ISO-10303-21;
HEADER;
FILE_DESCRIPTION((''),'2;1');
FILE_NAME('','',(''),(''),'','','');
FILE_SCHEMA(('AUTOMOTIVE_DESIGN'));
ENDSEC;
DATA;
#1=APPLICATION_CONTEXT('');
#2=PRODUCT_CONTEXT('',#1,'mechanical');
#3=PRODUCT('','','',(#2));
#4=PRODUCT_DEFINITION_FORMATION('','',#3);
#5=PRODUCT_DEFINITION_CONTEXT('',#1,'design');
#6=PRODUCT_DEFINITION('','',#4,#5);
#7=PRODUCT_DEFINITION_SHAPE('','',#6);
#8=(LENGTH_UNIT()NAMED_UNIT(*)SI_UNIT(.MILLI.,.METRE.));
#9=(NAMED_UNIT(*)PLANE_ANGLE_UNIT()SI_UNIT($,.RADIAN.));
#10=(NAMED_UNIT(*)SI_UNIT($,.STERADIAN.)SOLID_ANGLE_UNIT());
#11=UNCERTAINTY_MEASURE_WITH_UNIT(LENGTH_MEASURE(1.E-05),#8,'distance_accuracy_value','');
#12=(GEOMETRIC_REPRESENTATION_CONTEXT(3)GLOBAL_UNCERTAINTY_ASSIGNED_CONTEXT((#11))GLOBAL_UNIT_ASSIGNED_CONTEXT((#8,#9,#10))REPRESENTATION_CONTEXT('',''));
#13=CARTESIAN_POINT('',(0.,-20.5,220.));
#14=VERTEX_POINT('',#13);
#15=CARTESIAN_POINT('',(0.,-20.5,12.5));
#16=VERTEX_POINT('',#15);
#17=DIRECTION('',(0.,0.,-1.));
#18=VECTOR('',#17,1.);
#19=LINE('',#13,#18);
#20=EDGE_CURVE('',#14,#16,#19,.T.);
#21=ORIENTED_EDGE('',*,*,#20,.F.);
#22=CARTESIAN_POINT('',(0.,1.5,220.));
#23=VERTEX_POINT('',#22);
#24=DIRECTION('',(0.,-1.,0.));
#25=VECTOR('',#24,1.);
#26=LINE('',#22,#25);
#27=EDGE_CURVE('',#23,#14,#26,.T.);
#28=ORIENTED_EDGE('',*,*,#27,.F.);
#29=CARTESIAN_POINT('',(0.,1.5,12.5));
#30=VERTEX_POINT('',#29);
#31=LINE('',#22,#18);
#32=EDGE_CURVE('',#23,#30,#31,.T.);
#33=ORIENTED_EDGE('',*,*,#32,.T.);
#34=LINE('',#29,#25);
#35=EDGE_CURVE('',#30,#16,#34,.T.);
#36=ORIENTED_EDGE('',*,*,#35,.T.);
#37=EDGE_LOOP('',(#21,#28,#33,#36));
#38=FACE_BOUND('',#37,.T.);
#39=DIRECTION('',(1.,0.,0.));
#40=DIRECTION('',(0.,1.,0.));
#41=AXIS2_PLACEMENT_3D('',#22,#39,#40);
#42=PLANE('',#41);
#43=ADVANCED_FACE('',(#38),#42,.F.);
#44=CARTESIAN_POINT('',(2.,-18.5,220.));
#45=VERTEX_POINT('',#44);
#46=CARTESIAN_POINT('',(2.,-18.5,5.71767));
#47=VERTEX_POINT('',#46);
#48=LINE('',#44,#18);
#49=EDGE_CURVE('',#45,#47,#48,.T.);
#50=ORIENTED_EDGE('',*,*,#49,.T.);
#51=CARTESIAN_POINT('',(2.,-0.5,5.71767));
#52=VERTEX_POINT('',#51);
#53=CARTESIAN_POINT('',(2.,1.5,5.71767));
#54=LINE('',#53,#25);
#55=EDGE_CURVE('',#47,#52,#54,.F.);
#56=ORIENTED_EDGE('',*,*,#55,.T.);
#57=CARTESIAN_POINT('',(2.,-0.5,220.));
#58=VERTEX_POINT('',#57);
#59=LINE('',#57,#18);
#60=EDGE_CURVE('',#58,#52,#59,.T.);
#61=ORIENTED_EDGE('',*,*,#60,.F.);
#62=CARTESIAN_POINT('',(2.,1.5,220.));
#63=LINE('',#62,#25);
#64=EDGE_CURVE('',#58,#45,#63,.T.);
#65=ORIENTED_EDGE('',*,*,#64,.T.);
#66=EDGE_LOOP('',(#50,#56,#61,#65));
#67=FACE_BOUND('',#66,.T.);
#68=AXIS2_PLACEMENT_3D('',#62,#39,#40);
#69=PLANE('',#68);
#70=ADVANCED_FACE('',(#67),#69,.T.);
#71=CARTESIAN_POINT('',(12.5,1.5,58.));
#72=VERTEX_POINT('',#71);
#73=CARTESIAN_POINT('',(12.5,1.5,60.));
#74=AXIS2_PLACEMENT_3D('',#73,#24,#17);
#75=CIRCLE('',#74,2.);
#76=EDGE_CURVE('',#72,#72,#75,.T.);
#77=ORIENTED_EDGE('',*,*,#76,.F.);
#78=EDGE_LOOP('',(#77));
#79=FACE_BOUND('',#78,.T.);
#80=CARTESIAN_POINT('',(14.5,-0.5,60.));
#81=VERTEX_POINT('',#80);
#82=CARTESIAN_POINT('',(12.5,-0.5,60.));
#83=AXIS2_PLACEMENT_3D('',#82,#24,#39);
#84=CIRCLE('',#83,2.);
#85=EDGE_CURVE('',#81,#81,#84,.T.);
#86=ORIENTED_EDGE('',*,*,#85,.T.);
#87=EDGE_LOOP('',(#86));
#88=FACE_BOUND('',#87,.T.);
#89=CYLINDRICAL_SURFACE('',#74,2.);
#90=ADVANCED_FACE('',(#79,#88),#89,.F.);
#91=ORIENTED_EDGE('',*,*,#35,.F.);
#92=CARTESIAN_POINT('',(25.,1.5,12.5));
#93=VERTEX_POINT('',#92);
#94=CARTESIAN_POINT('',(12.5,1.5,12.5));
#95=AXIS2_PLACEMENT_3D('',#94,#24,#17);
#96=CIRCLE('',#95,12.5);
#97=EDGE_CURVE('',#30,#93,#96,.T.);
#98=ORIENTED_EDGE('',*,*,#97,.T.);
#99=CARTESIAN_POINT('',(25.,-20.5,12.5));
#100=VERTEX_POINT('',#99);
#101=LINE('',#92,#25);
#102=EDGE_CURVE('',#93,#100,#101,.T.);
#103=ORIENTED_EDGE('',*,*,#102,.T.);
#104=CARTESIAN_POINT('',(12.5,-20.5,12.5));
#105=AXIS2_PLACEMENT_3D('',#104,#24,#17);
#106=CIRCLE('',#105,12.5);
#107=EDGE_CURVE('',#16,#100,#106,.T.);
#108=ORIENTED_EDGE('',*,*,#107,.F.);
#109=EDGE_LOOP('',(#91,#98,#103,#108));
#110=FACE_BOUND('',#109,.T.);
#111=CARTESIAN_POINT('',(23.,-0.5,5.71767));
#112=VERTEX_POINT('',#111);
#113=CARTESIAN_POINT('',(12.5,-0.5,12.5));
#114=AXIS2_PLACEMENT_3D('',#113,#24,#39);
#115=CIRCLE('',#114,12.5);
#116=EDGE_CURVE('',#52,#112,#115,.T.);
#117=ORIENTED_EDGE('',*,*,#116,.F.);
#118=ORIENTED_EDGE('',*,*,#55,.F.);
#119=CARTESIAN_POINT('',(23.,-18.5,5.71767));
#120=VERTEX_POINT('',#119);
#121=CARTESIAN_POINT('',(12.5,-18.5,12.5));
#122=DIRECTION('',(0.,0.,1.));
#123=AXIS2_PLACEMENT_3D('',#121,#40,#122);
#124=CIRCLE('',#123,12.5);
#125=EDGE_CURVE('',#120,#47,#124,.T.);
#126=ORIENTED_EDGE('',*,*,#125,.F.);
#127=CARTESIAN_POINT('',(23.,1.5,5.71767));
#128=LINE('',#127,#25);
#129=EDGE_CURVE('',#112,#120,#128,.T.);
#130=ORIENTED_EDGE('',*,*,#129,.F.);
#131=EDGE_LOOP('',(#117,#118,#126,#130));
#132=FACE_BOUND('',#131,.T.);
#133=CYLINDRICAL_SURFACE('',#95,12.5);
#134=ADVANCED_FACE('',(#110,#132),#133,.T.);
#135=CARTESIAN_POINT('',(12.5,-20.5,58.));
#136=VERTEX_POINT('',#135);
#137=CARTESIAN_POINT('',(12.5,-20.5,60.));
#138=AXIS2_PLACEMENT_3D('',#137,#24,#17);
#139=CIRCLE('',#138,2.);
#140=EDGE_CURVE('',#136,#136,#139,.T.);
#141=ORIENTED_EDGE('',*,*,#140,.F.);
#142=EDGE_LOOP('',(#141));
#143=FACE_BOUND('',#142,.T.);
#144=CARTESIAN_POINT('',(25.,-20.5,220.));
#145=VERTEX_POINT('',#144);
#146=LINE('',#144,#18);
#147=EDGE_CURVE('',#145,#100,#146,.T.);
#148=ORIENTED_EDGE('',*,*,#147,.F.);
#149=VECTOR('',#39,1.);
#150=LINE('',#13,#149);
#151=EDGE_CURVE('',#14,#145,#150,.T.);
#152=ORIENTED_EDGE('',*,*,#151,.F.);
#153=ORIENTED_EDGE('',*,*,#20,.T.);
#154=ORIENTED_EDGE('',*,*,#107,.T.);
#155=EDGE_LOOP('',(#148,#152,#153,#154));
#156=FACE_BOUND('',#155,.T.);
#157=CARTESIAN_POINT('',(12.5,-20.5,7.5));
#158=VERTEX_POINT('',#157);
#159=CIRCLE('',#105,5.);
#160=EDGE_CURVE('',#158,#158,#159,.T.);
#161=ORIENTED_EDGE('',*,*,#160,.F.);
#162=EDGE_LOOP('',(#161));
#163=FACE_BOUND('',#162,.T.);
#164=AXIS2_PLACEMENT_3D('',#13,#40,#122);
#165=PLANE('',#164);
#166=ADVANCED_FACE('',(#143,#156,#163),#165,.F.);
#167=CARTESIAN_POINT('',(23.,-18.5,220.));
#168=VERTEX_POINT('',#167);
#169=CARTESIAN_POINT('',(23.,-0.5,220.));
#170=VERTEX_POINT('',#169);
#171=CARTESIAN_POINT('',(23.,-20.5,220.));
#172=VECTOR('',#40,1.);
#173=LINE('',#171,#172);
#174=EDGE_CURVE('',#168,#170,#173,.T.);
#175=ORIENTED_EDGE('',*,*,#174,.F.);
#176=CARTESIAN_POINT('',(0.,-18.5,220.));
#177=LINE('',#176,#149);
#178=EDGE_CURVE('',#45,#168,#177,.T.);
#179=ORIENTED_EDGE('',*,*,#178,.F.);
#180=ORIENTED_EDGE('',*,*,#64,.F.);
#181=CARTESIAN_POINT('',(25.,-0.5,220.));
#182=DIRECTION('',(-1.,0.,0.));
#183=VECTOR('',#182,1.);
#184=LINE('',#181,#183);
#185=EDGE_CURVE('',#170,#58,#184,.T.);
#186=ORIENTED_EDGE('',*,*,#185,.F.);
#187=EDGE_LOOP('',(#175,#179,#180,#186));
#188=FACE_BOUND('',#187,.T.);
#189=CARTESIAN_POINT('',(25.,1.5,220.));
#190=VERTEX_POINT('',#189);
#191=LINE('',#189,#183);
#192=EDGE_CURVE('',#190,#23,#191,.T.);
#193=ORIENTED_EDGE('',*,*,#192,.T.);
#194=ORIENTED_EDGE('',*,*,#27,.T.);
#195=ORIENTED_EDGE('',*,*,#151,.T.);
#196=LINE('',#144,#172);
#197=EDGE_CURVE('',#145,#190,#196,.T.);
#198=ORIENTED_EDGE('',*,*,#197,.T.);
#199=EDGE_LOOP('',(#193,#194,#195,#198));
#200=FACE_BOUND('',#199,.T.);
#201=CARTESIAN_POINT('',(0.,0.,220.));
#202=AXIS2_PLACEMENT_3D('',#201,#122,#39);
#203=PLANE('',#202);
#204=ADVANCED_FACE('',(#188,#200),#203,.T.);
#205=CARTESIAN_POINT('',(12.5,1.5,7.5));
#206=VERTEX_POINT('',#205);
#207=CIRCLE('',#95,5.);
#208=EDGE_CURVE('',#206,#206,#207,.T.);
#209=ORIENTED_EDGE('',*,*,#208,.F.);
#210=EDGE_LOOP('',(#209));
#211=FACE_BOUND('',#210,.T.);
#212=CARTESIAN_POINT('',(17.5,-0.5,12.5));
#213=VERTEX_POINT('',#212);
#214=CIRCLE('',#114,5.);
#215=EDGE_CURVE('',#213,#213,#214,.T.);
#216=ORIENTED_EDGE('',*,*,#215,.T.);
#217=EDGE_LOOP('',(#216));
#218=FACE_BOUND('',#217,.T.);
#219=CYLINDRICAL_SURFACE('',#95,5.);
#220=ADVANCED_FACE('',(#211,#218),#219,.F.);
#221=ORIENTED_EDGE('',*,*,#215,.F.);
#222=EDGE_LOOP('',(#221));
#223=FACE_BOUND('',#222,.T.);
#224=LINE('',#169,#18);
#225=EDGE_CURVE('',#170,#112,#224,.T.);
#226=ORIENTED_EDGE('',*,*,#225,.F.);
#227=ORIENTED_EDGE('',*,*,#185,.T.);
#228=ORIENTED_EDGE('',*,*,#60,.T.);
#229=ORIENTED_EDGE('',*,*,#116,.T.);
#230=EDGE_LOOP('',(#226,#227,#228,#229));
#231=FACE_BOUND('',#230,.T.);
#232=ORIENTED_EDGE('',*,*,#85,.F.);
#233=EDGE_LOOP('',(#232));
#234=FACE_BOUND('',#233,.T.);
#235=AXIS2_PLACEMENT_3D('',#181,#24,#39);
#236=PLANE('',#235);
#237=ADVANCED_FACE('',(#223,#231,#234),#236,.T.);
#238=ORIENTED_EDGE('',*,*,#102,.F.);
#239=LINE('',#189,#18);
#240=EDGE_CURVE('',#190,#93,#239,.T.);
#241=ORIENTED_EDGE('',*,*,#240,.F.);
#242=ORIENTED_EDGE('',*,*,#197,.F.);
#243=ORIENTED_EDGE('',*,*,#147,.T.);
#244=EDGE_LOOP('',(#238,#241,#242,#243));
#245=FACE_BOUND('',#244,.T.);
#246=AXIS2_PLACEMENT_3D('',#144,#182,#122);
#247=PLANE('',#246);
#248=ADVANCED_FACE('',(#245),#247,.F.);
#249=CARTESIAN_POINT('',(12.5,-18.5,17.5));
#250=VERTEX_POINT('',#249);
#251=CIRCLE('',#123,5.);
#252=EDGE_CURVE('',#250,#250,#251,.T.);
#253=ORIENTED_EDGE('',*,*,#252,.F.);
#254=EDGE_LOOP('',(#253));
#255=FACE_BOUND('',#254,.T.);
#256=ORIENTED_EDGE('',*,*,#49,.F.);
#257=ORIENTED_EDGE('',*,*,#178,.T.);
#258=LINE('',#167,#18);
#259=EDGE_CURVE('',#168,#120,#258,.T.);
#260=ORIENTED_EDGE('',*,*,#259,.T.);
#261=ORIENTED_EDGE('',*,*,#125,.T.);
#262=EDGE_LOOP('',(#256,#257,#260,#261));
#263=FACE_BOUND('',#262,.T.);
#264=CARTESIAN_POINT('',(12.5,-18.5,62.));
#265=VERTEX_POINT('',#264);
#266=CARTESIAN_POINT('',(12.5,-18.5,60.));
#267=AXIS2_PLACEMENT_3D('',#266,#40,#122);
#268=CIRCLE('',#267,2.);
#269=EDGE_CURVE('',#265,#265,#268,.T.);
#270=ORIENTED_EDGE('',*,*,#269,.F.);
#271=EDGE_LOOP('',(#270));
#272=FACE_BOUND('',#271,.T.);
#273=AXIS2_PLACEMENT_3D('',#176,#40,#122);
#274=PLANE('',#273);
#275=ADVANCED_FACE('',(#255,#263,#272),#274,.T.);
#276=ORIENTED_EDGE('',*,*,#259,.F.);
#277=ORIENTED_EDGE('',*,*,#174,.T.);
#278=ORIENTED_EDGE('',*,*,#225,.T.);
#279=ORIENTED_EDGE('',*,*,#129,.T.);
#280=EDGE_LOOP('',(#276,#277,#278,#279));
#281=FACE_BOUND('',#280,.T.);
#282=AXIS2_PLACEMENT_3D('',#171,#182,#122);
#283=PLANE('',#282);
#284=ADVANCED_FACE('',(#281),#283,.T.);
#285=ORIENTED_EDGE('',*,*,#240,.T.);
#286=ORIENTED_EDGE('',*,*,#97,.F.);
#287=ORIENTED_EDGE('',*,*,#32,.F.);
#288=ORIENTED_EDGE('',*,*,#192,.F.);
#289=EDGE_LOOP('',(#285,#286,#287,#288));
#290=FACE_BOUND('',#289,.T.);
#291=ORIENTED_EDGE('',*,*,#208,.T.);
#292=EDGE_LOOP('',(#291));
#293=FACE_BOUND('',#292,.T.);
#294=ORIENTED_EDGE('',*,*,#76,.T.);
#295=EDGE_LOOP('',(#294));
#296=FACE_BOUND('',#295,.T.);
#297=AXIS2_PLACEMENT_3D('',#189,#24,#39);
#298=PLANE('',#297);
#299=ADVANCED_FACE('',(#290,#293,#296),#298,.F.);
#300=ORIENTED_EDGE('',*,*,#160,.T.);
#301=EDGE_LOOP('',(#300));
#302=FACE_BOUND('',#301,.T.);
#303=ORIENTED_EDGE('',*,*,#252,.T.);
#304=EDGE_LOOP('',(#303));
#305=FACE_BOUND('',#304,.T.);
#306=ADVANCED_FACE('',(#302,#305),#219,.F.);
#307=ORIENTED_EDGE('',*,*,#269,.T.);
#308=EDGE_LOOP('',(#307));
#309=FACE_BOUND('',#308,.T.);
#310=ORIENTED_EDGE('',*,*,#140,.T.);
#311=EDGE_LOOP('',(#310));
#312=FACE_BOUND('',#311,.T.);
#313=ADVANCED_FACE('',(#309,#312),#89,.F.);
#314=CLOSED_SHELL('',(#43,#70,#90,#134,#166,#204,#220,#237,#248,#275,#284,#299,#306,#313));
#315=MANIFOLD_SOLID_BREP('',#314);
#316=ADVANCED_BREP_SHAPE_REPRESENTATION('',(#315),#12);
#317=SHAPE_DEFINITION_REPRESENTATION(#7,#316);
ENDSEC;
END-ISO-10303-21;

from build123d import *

# Parameters (mm, degrees)
SZKIC1_W                          = 25
SZKIC1_H                          = 22
SZKIC1_W_2                        = 21
SZKIC1_H_2                        = 18
WYCI_GNI_CIE_CIENKA_CIANKA1_DEPTH = 220
WYTNIJ_WYCI_GNI_CIE1_DEPTH        = 23
SZKIC3_R                          = 5
WYTNIJ_WYCI_GNI_CIE2_DEPTH        = 23
SZKIC4_R                          = 2
WYTNIJ_WYCI_GNI_CIE3_DEPTH        = 23


with BuildPart() as part:
    # Szkic1 → Wyciągnięcie-cienka ścianka1 (new body)
    with BuildSketch(Plane.XY):
        with Locations((12.5, -9.5)):
            Rectangle(SZKIC1_W, SZKIC1_H)
        with Locations((12.5, -9.5)):
            Rectangle(SZKIC1_W_2, SZKIC1_H_2, mode=Mode.SUBTRACT)
    extrude(amount=WYCI_GNI_CIE_CIENKA_CIANKA1_DEPTH)

    # Szkic2 → Wytnij-wyciągnięcie1 (cut, through all)
    with BuildSketch(Plane.XZ.offset(20.5)):
        with BuildLine():
            ThreePointArc((12.5, 0), (3.661165235, 3.661165235), (0, 12.5))
            Line((0, 12.5), (0, 0))
            Line((0, 0), (12.5, 0))
        make_face()
        with BuildLine():
            ThreePointArc((25, 12.5), (21.338834765, 3.661165235), (12.5, 0))
            Line((12.5, 0), (25, 0))
            Line((25, 0), (25, 12.5))
        make_face()
    extrude(amount=-WYTNIJ_WYCI_GNI_CIE1_DEPTH, mode=Mode.SUBTRACT)

    # Szkic3 → Wytnij-wyciągnięcie2 (cut, through all)
    with BuildSketch(Plane.XZ.offset(20.5)):
        with Locations((12.5, 12.5)):
            Circle(SZKIC3_R)
    extrude(amount=-WYTNIJ_WYCI_GNI_CIE2_DEPTH, mode=Mode.SUBTRACT)

    # Szkic4 → Wytnij-wyciągnięcie3 (cut, through all)
    with BuildSketch(Plane.XZ.offset(20.5)):
        with Locations((12.5, 60)):
            Circle(SZKIC4_R)
    extrude(amount=-WYTNIJ_WYCI_GNI_CIE3_DEPTH, mode=Mode.SUBTRACT)


solid = part.part
